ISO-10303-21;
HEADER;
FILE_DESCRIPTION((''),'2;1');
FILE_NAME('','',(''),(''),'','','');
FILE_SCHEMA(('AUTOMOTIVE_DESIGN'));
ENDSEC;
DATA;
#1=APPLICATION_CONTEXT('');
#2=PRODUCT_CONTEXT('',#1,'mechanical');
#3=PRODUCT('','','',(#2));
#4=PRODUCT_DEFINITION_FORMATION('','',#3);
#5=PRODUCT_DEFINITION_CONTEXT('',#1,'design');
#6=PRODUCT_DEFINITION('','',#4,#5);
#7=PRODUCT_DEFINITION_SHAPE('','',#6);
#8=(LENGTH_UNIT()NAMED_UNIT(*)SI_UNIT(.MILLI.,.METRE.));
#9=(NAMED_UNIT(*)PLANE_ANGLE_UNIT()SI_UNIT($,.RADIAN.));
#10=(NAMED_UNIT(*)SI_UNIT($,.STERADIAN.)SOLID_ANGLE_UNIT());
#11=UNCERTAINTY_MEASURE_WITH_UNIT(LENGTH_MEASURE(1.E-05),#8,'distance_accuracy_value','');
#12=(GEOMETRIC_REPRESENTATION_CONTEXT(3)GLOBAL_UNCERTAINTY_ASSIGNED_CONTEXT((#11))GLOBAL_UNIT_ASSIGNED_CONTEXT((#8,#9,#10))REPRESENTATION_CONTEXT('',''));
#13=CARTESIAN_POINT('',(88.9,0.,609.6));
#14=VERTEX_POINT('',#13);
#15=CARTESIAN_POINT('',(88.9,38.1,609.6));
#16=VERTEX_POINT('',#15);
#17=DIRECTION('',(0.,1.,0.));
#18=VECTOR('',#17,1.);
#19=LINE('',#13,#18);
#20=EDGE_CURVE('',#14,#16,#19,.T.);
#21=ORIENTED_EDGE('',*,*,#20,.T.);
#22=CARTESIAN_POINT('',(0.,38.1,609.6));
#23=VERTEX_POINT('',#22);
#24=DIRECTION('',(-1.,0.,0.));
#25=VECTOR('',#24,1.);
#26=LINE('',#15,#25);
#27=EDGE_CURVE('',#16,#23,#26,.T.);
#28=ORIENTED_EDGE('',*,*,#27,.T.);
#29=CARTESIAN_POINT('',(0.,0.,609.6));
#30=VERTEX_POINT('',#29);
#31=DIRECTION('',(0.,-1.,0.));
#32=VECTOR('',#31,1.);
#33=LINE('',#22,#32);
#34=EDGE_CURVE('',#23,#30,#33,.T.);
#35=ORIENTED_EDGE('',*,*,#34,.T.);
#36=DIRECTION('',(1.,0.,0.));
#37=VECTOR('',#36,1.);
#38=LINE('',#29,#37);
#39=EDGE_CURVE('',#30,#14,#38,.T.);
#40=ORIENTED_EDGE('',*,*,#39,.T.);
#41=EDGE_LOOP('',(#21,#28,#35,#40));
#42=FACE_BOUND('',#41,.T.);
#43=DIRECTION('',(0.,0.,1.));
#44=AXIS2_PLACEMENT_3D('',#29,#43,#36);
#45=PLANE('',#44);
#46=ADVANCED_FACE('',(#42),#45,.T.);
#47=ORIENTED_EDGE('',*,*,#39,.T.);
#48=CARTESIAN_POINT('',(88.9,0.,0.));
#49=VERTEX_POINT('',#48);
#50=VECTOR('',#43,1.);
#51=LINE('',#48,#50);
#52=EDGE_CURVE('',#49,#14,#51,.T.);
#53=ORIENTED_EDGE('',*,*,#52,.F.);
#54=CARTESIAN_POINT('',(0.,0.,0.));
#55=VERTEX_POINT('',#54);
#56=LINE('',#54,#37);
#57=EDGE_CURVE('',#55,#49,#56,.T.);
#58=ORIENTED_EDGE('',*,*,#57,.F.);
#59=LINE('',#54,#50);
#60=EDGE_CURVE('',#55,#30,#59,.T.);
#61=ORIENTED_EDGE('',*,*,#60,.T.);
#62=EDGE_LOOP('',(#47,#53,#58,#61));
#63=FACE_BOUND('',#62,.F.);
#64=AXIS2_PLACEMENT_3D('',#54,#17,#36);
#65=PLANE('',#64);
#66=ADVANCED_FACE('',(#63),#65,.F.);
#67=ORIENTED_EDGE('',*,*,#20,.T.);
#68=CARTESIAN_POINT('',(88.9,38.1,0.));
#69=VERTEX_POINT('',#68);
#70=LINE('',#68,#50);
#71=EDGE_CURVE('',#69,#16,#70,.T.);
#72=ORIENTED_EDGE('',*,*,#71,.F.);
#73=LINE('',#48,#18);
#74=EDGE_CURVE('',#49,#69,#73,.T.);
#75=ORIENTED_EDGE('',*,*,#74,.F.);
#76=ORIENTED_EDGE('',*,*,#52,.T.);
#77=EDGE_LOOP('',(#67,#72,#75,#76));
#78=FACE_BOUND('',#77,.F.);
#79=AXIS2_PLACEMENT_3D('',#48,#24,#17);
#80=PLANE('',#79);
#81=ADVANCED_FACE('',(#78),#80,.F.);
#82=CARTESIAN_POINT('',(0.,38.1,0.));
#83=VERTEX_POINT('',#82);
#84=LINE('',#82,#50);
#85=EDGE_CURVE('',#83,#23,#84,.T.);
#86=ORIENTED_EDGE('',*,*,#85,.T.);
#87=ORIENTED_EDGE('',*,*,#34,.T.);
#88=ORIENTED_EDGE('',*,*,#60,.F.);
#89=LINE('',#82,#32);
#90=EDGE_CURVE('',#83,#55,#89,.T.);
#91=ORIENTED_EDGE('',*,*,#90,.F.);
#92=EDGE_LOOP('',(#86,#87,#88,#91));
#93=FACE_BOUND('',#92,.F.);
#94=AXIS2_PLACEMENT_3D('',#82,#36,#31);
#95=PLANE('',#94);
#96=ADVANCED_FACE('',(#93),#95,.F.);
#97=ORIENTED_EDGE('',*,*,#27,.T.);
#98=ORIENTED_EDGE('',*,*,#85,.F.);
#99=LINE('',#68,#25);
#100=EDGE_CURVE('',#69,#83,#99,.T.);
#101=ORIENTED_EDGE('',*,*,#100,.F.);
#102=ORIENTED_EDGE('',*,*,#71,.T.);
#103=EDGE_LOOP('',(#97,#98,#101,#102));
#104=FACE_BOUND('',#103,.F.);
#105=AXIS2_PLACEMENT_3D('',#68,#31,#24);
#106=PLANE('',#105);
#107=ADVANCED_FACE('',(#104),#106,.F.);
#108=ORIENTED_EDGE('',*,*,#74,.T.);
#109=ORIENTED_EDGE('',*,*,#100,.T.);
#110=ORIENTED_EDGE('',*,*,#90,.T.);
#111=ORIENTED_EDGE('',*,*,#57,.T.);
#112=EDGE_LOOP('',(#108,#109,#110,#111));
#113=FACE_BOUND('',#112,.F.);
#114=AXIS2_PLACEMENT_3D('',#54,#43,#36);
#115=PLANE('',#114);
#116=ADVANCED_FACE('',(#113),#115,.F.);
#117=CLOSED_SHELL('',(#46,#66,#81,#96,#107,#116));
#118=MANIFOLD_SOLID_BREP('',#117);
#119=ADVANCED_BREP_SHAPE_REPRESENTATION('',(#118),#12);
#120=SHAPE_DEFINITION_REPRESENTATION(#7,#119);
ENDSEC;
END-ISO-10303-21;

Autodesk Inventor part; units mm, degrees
ref_plane "YZ Plane" through (0, 0, 0) normal (1, 0, 0) x (0, 1, 0)
ref_plane "XZ Plane" through (0, 0, 0) normal (0, 1, 0) x (-1, 0, 0)
ref_plane "XY Plane" through (0, 0, 0) normal (0, 0, 1) x (1, 0, 0)
sketch "Sketch1" plane through (0, 0, 0) normal (0, 0, 1) x (1, 0, 0)
  line L0 (0, 0) -> (88.9, 0)
  line L1 (88.9, 0) -> (88.9, 38.1)
  line L2 (88.9, 38.1) -> (0, 38.1)
  line L3 (0, 38.1) -> (0, 0)
  dimension "d0" = 88.9
  dimension "d1" = 38.1
extrude "Extrusion1" add sketch "Sketch1" along normal blind 609.6
properties part number "2by4" material "Wood (Cherry)"
